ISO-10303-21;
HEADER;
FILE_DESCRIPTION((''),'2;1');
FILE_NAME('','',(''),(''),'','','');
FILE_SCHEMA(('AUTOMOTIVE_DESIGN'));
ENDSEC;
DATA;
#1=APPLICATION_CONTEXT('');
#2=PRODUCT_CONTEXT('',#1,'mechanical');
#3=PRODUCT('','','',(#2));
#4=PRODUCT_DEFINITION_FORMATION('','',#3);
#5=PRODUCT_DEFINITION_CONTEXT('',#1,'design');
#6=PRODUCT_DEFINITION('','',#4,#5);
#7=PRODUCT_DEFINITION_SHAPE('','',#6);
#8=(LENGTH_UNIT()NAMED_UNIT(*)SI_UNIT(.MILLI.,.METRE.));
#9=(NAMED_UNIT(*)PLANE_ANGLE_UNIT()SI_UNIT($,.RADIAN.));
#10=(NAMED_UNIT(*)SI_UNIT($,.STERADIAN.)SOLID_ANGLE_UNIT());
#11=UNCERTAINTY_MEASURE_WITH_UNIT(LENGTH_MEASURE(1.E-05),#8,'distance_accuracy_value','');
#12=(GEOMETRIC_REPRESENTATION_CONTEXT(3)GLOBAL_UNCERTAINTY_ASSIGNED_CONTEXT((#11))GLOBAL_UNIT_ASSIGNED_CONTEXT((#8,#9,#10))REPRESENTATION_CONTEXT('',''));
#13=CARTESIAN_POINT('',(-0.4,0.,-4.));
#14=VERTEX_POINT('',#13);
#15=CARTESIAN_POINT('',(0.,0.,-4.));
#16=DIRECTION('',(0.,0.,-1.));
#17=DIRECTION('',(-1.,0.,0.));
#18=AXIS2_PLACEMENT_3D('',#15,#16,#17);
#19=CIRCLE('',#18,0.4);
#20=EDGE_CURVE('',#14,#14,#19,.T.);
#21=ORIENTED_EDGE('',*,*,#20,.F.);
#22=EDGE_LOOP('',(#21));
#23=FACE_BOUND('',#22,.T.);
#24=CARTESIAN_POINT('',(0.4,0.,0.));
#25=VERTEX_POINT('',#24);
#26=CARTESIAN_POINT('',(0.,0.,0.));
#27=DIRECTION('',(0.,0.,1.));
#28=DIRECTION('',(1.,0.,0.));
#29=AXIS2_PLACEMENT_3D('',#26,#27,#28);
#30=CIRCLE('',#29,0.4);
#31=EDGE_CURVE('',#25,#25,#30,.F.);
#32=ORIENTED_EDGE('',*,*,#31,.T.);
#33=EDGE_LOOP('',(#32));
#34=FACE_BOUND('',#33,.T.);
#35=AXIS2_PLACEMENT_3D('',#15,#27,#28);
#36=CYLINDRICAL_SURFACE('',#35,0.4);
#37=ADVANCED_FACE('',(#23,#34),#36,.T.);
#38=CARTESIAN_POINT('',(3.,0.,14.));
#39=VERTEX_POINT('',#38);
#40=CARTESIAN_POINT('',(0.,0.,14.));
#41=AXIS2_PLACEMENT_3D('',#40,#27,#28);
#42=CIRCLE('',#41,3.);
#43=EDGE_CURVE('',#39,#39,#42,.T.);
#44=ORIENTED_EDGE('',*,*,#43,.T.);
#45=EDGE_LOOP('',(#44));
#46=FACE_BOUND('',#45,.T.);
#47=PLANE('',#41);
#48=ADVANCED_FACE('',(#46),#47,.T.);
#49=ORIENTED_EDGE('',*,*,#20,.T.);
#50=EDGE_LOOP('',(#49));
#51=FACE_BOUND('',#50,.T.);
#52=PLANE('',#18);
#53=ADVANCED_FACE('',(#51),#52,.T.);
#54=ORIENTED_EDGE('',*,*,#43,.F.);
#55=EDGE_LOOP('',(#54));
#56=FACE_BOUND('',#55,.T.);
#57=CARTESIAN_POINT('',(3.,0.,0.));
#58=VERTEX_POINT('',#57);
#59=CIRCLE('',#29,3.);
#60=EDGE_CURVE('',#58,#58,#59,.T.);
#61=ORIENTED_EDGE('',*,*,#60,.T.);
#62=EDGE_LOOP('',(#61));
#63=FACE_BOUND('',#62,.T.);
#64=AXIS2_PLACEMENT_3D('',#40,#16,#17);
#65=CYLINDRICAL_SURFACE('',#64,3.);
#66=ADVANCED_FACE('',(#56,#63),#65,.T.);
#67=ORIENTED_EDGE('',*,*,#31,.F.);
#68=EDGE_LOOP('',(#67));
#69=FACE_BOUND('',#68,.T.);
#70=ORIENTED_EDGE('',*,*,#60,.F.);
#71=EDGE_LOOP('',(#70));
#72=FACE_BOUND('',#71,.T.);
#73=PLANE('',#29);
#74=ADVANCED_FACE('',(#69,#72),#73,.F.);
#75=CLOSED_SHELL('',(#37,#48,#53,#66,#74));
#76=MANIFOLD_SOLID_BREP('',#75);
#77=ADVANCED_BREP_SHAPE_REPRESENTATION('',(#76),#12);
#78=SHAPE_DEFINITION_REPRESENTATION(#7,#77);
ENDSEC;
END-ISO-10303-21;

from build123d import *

# Parameters (mm, degrees)
SKETCH_1_R      = 3
EXTRUDE_1_DEPTH = 14
SKETCH_2_R      = 0.4
EXTRUDE_2_DEPTH = 4


with BuildPart() as part:
    # 스케치1 → 보스-돌출1 (new body)
    with BuildSketch(Plane.XY):
        Circle(SKETCH_1_R)
    extrude(amount=EXTRUDE_1_DEPTH)

    # 스케치2 → 보스-돌출2 (add)
    with BuildSketch(Plane(origin=(0, 0, 0), x_dir=(-1, 0, 0), z_dir=(0, 0, -1))):
        Circle(SKETCH_2_R)
    extrude(amount=EXTRUDE_2_DEPTH)


solid = part.part
